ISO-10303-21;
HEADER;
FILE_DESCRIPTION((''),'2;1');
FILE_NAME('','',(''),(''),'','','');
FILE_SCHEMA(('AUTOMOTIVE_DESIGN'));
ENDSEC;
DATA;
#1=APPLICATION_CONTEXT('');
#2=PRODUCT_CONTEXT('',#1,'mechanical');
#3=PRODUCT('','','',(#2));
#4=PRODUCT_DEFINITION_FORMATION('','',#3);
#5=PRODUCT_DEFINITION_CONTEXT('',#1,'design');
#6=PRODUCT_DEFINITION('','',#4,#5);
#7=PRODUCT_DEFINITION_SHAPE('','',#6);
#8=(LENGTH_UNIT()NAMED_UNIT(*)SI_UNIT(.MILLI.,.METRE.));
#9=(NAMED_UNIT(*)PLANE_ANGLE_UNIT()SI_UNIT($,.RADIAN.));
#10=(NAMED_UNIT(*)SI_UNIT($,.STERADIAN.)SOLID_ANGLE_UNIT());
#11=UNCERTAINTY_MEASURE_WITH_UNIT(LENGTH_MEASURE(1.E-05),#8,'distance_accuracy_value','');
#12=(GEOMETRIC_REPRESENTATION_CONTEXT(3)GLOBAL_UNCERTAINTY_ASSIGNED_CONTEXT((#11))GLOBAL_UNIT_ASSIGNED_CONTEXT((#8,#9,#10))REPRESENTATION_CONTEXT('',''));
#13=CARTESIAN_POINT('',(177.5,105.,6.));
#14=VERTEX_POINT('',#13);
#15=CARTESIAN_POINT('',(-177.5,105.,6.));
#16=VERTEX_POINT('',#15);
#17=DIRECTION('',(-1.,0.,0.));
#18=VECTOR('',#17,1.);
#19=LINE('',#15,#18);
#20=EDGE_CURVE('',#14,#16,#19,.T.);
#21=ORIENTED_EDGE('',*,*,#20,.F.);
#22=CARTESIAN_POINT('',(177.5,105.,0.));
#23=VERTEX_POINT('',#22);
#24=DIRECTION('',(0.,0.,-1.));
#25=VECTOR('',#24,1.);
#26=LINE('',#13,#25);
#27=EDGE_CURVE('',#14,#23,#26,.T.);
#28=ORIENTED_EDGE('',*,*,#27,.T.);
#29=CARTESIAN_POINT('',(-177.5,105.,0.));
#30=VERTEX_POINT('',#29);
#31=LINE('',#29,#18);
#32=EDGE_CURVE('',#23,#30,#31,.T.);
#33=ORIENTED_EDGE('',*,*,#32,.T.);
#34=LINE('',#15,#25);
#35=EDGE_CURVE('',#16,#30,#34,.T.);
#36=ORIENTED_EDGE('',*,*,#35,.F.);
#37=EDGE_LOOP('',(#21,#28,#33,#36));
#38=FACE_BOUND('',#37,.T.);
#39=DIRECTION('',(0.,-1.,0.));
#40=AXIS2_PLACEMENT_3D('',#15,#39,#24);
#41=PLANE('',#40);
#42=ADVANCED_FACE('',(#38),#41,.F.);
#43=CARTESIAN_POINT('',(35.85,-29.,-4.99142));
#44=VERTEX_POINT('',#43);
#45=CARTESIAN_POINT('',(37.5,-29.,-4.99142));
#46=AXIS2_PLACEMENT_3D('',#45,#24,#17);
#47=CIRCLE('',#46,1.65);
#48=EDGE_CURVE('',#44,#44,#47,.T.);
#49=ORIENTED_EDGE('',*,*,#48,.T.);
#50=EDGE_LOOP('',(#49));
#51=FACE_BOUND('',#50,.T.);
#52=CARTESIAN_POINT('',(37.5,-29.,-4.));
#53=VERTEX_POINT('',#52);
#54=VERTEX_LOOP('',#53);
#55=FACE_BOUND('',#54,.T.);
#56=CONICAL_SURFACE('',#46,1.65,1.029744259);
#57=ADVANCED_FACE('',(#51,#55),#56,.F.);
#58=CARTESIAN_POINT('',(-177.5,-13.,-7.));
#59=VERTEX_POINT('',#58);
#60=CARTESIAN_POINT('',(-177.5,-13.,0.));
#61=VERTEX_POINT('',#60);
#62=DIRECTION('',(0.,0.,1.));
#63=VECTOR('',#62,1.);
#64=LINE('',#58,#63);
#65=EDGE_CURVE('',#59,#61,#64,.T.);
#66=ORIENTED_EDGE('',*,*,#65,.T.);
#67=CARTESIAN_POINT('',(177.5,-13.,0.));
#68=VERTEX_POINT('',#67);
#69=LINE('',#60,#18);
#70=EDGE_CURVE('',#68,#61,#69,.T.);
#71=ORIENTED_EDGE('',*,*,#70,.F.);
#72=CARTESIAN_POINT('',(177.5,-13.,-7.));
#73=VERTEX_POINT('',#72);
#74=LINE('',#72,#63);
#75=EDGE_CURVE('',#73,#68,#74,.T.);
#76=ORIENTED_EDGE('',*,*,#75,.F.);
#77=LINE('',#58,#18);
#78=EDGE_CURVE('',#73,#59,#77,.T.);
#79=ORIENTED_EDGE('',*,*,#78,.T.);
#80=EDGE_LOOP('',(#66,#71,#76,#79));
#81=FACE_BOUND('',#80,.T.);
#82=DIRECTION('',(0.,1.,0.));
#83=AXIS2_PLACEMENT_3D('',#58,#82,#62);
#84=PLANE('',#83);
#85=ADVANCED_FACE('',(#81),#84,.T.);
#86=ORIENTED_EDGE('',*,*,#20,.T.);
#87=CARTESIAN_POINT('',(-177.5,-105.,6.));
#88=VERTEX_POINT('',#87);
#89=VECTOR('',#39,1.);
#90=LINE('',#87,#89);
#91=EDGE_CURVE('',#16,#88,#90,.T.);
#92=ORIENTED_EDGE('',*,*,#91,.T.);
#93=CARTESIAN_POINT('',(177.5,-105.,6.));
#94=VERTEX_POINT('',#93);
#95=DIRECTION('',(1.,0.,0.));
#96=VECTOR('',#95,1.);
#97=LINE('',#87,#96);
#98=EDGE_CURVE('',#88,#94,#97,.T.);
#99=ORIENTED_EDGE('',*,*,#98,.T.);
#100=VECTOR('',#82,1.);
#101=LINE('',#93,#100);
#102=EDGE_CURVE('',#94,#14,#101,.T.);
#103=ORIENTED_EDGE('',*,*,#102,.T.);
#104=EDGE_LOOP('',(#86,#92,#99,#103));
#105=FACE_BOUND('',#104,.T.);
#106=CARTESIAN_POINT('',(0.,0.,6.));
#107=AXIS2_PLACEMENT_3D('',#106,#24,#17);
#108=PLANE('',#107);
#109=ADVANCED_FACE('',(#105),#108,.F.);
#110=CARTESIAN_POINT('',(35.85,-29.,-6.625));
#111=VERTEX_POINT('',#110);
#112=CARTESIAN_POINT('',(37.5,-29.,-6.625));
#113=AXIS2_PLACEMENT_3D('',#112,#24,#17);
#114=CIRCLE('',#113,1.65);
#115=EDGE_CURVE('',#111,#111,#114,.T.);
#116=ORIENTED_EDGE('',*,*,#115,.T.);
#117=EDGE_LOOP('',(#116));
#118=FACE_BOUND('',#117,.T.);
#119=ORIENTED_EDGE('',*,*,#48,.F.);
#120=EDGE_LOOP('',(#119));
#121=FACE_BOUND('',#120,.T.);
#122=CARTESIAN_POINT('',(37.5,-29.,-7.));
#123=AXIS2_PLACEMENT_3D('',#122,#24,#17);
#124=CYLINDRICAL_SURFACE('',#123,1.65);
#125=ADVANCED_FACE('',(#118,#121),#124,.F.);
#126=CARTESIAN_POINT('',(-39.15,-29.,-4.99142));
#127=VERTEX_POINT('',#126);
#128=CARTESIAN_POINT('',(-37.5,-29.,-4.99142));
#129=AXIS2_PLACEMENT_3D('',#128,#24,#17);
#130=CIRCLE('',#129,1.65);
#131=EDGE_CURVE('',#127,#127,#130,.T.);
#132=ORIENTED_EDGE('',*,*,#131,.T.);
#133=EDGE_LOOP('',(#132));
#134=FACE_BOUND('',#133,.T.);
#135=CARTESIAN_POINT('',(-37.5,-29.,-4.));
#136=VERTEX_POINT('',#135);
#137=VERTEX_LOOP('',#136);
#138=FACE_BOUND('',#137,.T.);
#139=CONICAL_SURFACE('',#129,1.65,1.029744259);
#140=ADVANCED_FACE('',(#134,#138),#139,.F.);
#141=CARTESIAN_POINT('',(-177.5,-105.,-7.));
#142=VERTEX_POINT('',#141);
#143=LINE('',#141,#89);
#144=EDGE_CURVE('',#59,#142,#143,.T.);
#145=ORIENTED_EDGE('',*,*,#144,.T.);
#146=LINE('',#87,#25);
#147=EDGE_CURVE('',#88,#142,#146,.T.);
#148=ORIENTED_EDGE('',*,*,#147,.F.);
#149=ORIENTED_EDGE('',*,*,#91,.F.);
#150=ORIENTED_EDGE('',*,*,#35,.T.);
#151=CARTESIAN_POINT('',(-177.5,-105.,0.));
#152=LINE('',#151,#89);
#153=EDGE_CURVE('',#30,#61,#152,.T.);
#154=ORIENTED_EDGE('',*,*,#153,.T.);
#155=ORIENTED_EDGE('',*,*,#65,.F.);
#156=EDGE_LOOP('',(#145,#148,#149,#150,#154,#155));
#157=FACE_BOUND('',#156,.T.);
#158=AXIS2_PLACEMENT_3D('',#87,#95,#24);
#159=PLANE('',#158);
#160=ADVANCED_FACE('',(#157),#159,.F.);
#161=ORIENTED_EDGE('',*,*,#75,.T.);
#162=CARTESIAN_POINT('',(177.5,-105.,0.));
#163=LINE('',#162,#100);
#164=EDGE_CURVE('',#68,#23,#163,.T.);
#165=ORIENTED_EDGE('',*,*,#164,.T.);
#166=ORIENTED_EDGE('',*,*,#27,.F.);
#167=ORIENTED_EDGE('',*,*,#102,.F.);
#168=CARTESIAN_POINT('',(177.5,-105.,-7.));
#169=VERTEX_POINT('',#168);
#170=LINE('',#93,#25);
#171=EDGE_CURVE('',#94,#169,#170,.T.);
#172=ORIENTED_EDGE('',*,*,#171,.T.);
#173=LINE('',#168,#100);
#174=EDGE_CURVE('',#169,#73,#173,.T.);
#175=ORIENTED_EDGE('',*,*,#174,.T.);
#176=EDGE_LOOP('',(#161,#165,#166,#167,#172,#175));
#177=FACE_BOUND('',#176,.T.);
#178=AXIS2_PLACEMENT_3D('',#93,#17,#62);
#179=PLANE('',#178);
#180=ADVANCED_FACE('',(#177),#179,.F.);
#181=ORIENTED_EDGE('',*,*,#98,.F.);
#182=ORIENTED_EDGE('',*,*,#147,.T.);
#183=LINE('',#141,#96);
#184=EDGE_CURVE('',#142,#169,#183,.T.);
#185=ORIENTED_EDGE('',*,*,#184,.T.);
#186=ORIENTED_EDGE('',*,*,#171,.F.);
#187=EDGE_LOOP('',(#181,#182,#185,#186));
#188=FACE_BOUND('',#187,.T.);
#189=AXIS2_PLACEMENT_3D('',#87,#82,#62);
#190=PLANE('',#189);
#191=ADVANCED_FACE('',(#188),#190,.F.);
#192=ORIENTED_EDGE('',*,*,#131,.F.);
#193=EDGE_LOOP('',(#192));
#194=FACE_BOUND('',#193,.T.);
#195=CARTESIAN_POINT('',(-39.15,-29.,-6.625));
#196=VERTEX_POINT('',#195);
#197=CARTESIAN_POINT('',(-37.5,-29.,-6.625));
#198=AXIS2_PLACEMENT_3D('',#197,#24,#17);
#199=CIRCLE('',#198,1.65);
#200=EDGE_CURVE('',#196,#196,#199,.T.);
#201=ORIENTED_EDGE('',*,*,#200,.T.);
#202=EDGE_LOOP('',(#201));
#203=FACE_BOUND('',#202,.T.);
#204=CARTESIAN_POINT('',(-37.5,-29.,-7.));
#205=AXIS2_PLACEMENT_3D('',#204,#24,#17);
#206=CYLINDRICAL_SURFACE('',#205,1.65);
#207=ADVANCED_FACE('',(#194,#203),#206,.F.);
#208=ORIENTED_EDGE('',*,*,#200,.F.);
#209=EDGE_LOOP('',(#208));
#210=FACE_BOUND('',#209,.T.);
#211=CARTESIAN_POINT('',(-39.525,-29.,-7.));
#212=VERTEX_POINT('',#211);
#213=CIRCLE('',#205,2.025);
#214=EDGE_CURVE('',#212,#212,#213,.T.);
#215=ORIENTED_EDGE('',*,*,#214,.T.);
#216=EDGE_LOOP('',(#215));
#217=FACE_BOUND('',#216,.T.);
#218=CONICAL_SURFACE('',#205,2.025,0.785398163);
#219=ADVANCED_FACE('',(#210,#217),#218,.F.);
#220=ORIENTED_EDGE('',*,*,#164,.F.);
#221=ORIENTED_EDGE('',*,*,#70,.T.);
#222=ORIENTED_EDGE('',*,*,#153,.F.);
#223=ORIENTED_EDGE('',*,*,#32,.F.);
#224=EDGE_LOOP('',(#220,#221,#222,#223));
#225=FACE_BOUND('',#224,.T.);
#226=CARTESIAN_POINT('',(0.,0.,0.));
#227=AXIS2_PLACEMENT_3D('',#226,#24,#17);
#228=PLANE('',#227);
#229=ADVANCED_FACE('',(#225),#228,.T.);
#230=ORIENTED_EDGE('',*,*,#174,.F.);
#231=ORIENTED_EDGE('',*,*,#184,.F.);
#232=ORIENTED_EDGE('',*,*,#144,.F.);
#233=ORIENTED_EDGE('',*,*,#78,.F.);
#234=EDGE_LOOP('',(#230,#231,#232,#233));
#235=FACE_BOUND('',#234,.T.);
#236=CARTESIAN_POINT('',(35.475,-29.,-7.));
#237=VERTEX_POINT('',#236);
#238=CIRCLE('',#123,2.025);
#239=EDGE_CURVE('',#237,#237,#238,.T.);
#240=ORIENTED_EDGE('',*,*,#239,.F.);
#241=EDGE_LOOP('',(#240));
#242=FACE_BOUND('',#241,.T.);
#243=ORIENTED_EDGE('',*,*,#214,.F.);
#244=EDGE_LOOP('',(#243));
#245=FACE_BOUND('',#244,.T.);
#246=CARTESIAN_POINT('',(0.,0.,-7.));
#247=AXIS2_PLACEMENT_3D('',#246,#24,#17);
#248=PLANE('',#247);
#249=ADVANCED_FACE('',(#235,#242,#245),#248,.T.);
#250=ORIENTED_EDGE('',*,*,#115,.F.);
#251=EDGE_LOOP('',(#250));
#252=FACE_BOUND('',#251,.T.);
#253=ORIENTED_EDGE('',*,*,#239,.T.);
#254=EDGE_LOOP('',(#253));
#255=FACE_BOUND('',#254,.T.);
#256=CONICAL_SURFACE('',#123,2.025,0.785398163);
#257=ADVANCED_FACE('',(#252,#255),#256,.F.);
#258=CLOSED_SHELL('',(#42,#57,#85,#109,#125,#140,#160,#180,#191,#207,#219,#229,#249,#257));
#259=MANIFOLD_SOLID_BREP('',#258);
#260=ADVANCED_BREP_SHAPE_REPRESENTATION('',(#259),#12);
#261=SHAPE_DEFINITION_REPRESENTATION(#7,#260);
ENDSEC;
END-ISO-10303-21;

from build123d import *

# Parameters (mm, degrees)
SKETCH1_W                   = 355
SKETCH1_H                   = 210
BOSS_EXTRUDE1_DEPTH         = 6
SKETCH2_W                   = 355
SKETCH2_H                   = 92
BOSS_EXTRUDE2_DEPTH         = 7
M4_TAPPED_HOLE2_D           = 3.3
M4_TAPPED_HOLE2_DEPTH       = 2.008579979
M4_TAPPED_HOLE2_CSINK_D     = 4.05
M4_TAPPED_HOLE2_CSINK_ANGLE = 90
M4_TAPPED_HOLE2_TIP         = 0.991420021


with BuildPart() as part:
    # Sketch1 → Boss-Extrude1 (new body)
    with BuildSketch(Plane.XY):
        Rectangle(SKETCH1_W, SKETCH1_H)
    extrude(amount=BOSS_EXTRUDE1_DEPTH)

    # Sketch2 → Boss-Extrude2 (add)
    with BuildSketch(Plane.XY):
        with Locations((0, -59)):
            Rectangle(SKETCH2_W, SKETCH2_H)
    extrude(amount=-BOSS_EXTRUDE2_DEPTH)

    # M4 Tapped Hole2
    with Locations(Plane(origin=(0, 0, -7), x_dir=(-1, 0, 0), z_dir=(0, 0, -1))):
        with Locations((37.5, -29), (-37.5, -29)):
            CounterSinkHole(M4_TAPPED_HOLE2_D / 2, M4_TAPPED_HOLE2_CSINK_D / 2, depth=M4_TAPPED_HOLE2_DEPTH, counter_sink_angle=M4_TAPPED_HOLE2_CSINK_ANGLE)
            with Locations((0, 0, -(M4_TAPPED_HOLE2_DEPTH + M4_TAPPED_HOLE2_TIP / 2))):  # 118° drill point
                Cone(0, M4_TAPPED_HOLE2_D / 2, M4_TAPPED_HOLE2_TIP, mode=Mode.SUBTRACT)


solid = part.part
